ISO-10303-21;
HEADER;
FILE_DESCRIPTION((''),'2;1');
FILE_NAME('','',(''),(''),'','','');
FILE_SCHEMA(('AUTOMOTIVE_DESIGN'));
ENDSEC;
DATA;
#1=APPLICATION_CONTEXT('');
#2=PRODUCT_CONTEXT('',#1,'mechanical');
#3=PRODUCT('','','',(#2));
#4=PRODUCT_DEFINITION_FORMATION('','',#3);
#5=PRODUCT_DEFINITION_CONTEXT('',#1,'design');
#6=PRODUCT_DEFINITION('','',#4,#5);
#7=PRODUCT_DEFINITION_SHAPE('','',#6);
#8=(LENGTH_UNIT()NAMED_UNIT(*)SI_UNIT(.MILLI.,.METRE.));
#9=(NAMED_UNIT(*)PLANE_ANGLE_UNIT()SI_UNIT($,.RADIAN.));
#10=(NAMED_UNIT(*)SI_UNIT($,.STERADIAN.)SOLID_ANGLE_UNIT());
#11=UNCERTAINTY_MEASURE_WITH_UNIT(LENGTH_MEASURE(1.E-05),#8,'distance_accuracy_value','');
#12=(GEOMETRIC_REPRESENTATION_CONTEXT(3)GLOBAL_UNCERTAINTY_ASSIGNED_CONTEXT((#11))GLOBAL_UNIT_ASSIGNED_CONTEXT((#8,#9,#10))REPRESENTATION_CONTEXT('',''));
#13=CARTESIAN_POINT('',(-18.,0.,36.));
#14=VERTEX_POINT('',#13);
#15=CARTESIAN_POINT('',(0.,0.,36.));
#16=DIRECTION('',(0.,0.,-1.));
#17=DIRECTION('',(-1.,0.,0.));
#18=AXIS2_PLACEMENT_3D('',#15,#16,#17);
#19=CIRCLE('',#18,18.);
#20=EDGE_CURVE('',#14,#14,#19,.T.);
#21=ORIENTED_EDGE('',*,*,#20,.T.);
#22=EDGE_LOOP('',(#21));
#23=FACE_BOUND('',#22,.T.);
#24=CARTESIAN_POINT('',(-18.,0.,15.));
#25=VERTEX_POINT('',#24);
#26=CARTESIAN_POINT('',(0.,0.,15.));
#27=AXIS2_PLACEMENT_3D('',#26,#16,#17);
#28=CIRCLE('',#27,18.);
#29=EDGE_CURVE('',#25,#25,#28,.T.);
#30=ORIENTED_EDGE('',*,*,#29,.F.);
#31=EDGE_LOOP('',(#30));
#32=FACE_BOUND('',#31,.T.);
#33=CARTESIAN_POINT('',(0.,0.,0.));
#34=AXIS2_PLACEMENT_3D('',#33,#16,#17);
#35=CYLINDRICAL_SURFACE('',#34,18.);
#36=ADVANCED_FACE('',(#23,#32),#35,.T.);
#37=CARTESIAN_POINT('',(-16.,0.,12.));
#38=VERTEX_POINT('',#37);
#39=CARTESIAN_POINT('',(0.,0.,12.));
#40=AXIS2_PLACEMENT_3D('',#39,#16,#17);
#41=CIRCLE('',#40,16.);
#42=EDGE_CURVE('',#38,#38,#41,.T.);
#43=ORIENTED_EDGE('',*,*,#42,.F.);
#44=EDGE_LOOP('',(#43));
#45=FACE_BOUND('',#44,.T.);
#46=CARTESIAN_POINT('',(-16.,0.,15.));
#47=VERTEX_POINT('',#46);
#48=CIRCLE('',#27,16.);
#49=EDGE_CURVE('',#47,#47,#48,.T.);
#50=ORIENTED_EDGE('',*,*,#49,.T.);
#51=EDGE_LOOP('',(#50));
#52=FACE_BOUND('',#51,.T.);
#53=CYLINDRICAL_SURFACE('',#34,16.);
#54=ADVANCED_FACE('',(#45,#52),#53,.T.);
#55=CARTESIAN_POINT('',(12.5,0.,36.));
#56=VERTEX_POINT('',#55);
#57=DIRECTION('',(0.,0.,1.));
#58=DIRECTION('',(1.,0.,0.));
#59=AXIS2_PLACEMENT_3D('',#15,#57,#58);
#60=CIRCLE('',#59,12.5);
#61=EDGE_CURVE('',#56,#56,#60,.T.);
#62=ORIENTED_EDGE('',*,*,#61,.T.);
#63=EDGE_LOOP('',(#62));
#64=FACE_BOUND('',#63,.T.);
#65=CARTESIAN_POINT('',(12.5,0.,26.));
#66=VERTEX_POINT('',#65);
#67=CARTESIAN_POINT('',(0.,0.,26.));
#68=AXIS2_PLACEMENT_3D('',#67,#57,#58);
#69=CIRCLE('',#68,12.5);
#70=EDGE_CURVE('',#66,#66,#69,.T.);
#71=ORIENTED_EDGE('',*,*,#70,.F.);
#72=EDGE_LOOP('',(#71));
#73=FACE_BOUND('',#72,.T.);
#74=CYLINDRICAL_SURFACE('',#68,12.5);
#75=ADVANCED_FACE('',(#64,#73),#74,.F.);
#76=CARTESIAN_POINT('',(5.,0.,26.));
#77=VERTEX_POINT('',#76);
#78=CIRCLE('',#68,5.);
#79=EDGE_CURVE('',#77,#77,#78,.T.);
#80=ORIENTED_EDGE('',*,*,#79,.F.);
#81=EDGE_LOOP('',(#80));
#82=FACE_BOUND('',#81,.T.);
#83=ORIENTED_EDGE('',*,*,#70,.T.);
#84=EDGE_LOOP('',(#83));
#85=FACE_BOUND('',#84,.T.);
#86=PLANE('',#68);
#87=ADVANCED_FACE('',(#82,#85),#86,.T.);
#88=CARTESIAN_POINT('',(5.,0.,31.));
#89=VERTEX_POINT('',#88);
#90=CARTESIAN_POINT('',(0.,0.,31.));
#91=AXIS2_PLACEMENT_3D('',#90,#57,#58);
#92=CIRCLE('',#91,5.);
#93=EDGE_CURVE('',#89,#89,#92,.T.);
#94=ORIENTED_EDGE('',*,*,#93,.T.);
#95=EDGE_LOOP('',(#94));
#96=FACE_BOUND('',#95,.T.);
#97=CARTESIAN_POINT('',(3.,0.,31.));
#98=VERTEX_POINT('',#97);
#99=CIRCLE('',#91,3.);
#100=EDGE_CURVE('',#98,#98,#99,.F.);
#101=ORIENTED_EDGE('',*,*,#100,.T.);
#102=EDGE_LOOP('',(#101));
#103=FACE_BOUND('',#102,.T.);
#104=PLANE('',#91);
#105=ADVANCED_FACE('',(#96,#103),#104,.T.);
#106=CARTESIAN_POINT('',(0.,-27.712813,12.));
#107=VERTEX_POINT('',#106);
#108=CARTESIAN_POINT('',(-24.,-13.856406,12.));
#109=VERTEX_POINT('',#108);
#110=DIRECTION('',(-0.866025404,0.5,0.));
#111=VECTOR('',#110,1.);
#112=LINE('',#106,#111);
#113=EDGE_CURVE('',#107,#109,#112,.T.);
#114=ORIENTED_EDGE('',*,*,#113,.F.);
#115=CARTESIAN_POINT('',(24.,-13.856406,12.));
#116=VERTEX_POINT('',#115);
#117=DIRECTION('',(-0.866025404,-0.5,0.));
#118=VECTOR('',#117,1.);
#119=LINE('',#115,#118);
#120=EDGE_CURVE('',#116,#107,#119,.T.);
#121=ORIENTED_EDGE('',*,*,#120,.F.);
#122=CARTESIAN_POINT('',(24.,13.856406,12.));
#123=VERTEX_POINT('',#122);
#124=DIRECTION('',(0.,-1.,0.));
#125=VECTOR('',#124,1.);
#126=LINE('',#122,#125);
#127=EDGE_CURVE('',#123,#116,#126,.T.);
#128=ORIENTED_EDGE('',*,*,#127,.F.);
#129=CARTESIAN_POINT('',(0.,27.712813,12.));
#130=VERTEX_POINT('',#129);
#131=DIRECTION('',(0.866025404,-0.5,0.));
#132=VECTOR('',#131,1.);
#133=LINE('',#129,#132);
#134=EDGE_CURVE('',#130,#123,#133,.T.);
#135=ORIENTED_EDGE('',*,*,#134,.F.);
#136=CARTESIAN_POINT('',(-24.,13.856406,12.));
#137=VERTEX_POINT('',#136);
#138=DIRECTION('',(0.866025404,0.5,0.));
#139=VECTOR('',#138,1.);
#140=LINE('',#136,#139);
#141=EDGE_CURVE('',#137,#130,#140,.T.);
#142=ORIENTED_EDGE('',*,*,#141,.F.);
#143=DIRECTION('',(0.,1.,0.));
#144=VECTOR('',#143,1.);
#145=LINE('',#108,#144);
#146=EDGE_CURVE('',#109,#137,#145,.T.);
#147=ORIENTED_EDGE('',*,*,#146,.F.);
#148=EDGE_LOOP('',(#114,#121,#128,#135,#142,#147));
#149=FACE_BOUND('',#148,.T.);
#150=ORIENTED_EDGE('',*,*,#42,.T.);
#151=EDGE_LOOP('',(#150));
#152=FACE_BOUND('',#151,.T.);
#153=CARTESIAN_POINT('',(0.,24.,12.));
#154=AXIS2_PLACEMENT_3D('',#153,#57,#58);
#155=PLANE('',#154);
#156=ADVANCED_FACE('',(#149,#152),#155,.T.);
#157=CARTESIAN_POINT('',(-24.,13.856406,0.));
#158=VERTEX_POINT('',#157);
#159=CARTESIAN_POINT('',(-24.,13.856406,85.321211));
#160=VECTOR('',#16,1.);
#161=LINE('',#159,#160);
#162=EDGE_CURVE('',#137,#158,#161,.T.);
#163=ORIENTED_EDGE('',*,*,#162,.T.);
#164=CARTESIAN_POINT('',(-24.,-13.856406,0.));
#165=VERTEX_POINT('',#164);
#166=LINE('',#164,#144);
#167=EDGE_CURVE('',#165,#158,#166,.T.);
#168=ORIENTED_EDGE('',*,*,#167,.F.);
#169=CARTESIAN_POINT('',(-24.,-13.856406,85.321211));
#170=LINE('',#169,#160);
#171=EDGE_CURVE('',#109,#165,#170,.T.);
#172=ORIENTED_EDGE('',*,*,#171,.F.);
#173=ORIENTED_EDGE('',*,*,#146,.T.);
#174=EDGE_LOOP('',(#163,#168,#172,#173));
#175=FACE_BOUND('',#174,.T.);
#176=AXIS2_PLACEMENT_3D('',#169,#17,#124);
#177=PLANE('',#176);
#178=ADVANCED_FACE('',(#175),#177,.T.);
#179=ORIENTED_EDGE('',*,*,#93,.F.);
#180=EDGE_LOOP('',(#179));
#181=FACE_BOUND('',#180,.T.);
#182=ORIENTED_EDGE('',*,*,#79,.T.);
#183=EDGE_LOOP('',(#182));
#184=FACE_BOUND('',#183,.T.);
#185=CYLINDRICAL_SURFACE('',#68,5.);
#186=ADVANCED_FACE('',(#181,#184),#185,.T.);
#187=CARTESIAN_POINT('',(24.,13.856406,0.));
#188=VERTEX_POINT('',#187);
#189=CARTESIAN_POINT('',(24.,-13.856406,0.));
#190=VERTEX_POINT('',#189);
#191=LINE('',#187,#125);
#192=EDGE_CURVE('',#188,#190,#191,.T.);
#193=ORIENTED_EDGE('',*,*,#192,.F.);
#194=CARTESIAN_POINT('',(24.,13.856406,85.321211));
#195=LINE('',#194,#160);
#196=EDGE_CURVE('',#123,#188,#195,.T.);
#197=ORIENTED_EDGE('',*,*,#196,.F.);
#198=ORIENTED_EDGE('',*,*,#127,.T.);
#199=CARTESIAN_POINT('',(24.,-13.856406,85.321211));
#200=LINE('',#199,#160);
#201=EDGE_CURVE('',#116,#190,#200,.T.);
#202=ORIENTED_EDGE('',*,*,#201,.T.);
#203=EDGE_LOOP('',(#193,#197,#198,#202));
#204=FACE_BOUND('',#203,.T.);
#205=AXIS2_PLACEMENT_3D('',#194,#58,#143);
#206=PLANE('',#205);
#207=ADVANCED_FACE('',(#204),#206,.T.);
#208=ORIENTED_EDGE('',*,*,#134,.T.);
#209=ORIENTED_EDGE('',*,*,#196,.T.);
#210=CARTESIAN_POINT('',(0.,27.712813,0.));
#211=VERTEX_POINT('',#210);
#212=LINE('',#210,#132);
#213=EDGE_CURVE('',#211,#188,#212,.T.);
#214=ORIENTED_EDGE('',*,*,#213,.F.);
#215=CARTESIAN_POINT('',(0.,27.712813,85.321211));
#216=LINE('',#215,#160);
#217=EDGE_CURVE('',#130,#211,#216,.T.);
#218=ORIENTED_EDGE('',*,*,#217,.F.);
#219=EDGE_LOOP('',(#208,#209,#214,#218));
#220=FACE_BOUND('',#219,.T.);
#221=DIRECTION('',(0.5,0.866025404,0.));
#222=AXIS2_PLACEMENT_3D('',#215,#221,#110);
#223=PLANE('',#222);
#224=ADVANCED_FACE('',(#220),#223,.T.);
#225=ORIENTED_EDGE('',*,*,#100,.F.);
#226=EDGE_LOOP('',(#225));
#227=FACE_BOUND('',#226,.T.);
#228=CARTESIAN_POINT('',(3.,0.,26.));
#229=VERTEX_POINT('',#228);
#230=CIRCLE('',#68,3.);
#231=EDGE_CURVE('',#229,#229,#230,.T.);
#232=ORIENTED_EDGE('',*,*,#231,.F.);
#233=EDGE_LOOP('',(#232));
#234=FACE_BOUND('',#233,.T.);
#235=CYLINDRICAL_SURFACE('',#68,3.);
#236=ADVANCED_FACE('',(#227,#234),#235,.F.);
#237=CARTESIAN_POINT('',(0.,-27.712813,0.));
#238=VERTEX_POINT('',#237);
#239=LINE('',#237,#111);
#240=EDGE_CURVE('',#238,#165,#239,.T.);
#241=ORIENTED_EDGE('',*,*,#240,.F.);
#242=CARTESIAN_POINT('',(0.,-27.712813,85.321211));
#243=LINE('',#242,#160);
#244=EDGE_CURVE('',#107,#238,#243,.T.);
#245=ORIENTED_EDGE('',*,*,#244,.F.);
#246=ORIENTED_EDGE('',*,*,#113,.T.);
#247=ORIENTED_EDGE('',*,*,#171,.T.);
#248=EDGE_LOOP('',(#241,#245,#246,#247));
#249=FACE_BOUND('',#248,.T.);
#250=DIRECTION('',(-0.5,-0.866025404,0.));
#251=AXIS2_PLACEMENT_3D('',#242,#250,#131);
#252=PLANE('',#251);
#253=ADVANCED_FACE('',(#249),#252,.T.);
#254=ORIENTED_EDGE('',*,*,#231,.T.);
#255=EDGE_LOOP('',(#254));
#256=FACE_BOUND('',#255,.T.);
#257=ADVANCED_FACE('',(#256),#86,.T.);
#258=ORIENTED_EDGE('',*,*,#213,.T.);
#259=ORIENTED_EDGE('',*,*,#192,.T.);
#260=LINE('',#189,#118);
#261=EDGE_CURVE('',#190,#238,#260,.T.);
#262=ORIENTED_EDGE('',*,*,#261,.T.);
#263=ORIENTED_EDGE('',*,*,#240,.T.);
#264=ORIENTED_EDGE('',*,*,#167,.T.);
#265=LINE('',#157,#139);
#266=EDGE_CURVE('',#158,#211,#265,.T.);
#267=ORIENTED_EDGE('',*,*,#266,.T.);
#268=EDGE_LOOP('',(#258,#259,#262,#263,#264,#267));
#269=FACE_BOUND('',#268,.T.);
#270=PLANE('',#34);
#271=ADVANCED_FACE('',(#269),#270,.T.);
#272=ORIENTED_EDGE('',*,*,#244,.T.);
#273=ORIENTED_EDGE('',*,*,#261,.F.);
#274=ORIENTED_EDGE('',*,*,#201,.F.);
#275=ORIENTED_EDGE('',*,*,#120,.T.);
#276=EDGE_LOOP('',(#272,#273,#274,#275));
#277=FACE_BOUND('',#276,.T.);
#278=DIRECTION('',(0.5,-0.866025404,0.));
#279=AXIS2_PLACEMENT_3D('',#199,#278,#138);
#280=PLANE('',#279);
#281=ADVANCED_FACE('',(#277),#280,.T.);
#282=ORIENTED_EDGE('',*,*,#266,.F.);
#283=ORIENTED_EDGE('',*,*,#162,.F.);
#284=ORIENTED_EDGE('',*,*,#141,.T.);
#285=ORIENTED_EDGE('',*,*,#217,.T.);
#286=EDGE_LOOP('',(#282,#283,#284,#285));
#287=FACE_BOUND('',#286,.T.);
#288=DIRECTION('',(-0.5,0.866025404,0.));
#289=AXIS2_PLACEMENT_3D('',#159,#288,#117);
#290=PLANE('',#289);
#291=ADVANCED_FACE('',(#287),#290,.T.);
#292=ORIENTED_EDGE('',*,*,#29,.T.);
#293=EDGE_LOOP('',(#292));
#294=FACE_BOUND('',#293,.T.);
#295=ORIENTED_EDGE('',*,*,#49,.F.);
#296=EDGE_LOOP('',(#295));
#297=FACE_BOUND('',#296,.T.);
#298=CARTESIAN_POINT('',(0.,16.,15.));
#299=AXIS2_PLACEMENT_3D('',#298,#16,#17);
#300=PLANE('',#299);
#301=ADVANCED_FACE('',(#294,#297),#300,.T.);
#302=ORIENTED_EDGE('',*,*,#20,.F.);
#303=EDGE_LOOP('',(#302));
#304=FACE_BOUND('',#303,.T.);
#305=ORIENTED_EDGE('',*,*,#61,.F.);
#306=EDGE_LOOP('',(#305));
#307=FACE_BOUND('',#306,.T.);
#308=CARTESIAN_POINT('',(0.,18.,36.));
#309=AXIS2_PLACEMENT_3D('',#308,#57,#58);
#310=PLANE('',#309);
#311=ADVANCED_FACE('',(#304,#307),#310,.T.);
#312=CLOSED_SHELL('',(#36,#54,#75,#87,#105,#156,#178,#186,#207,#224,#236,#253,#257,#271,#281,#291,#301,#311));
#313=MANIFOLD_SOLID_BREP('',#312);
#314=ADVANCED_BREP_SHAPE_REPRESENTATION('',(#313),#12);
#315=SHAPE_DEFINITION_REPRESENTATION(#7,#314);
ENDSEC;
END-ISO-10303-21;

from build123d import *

# Parameters (mm, degrees)
SKETCH_2_R          = 12.5
SKETCH_2_R_2        = 5
CUT_EXTRUDE_1_DEPTH = 10
SKETCH_3_R          = 3
CUT_EXTRUDE_2_DEPTH = 10
SKETCH_4_R          = 5
CUT_EXTRUDE_3_DEPTH = 5
EXTRUDE_1_DEPTH     = 12


with BuildPart() as part:
    # 草图1 → 旋转1 (revolve)
    with BuildSketch(Plane(origin=(0, 0, 0), x_dir=(0, 0, -1), z_dir=(1, 0, 0)), mode=Mode.PRIVATE) as revolve_1_sk:
        Polygon((0, 0), (0, 24), (-12, 24), (-12, 16), (-15, 16), (-15, 18), (-36, 18), (-36, 0), align=None)
    revolve(revolve_1_sk.sketch.rotate(Axis((0, 0, 0), (0, 0, 1)), 90), axis=Axis((0, 0, 0), (0, 0, 1)))

    # 草图2 → 切除-拉伸1 (cut)
    with BuildSketch(Plane.XY.offset(36)):
        Circle(SKETCH_2_R)
        Circle(SKETCH_2_R_2, mode=Mode.SUBTRACT)
    extrude(amount=-CUT_EXTRUDE_1_DEPTH, mode=Mode.SUBTRACT)

    # 草图3 → 切除-拉伸2 (cut)
    with BuildSketch(Plane.XY.offset(36)):
        Circle(SKETCH_3_R)
    extrude(amount=-CUT_EXTRUDE_2_DEPTH, mode=Mode.SUBTRACT)

    # 草图4 → 切除-拉伸3 (cut)
    with BuildSketch(Plane.XY.offset(36)):
        Circle(SKETCH_4_R)
    extrude(amount=-CUT_EXTRUDE_3_DEPTH, mode=Mode.SUBTRACT)

    # 草图5 → 凸台-拉伸1 (add)
    with BuildSketch(Plane(origin=(0, 0, 0), x_dir=(-1, 0, 0), z_dir=(0, 0, -1))):
        Polygon((0, 27.712812921), (-24, 13.856406461), (-24, -13.856406461), (0, -27.712812921), (24, -13.856406461), (24, 13.856406461), align=None)
    extrude(amount=-EXTRUDE_1_DEPTH)


solid = part.part
